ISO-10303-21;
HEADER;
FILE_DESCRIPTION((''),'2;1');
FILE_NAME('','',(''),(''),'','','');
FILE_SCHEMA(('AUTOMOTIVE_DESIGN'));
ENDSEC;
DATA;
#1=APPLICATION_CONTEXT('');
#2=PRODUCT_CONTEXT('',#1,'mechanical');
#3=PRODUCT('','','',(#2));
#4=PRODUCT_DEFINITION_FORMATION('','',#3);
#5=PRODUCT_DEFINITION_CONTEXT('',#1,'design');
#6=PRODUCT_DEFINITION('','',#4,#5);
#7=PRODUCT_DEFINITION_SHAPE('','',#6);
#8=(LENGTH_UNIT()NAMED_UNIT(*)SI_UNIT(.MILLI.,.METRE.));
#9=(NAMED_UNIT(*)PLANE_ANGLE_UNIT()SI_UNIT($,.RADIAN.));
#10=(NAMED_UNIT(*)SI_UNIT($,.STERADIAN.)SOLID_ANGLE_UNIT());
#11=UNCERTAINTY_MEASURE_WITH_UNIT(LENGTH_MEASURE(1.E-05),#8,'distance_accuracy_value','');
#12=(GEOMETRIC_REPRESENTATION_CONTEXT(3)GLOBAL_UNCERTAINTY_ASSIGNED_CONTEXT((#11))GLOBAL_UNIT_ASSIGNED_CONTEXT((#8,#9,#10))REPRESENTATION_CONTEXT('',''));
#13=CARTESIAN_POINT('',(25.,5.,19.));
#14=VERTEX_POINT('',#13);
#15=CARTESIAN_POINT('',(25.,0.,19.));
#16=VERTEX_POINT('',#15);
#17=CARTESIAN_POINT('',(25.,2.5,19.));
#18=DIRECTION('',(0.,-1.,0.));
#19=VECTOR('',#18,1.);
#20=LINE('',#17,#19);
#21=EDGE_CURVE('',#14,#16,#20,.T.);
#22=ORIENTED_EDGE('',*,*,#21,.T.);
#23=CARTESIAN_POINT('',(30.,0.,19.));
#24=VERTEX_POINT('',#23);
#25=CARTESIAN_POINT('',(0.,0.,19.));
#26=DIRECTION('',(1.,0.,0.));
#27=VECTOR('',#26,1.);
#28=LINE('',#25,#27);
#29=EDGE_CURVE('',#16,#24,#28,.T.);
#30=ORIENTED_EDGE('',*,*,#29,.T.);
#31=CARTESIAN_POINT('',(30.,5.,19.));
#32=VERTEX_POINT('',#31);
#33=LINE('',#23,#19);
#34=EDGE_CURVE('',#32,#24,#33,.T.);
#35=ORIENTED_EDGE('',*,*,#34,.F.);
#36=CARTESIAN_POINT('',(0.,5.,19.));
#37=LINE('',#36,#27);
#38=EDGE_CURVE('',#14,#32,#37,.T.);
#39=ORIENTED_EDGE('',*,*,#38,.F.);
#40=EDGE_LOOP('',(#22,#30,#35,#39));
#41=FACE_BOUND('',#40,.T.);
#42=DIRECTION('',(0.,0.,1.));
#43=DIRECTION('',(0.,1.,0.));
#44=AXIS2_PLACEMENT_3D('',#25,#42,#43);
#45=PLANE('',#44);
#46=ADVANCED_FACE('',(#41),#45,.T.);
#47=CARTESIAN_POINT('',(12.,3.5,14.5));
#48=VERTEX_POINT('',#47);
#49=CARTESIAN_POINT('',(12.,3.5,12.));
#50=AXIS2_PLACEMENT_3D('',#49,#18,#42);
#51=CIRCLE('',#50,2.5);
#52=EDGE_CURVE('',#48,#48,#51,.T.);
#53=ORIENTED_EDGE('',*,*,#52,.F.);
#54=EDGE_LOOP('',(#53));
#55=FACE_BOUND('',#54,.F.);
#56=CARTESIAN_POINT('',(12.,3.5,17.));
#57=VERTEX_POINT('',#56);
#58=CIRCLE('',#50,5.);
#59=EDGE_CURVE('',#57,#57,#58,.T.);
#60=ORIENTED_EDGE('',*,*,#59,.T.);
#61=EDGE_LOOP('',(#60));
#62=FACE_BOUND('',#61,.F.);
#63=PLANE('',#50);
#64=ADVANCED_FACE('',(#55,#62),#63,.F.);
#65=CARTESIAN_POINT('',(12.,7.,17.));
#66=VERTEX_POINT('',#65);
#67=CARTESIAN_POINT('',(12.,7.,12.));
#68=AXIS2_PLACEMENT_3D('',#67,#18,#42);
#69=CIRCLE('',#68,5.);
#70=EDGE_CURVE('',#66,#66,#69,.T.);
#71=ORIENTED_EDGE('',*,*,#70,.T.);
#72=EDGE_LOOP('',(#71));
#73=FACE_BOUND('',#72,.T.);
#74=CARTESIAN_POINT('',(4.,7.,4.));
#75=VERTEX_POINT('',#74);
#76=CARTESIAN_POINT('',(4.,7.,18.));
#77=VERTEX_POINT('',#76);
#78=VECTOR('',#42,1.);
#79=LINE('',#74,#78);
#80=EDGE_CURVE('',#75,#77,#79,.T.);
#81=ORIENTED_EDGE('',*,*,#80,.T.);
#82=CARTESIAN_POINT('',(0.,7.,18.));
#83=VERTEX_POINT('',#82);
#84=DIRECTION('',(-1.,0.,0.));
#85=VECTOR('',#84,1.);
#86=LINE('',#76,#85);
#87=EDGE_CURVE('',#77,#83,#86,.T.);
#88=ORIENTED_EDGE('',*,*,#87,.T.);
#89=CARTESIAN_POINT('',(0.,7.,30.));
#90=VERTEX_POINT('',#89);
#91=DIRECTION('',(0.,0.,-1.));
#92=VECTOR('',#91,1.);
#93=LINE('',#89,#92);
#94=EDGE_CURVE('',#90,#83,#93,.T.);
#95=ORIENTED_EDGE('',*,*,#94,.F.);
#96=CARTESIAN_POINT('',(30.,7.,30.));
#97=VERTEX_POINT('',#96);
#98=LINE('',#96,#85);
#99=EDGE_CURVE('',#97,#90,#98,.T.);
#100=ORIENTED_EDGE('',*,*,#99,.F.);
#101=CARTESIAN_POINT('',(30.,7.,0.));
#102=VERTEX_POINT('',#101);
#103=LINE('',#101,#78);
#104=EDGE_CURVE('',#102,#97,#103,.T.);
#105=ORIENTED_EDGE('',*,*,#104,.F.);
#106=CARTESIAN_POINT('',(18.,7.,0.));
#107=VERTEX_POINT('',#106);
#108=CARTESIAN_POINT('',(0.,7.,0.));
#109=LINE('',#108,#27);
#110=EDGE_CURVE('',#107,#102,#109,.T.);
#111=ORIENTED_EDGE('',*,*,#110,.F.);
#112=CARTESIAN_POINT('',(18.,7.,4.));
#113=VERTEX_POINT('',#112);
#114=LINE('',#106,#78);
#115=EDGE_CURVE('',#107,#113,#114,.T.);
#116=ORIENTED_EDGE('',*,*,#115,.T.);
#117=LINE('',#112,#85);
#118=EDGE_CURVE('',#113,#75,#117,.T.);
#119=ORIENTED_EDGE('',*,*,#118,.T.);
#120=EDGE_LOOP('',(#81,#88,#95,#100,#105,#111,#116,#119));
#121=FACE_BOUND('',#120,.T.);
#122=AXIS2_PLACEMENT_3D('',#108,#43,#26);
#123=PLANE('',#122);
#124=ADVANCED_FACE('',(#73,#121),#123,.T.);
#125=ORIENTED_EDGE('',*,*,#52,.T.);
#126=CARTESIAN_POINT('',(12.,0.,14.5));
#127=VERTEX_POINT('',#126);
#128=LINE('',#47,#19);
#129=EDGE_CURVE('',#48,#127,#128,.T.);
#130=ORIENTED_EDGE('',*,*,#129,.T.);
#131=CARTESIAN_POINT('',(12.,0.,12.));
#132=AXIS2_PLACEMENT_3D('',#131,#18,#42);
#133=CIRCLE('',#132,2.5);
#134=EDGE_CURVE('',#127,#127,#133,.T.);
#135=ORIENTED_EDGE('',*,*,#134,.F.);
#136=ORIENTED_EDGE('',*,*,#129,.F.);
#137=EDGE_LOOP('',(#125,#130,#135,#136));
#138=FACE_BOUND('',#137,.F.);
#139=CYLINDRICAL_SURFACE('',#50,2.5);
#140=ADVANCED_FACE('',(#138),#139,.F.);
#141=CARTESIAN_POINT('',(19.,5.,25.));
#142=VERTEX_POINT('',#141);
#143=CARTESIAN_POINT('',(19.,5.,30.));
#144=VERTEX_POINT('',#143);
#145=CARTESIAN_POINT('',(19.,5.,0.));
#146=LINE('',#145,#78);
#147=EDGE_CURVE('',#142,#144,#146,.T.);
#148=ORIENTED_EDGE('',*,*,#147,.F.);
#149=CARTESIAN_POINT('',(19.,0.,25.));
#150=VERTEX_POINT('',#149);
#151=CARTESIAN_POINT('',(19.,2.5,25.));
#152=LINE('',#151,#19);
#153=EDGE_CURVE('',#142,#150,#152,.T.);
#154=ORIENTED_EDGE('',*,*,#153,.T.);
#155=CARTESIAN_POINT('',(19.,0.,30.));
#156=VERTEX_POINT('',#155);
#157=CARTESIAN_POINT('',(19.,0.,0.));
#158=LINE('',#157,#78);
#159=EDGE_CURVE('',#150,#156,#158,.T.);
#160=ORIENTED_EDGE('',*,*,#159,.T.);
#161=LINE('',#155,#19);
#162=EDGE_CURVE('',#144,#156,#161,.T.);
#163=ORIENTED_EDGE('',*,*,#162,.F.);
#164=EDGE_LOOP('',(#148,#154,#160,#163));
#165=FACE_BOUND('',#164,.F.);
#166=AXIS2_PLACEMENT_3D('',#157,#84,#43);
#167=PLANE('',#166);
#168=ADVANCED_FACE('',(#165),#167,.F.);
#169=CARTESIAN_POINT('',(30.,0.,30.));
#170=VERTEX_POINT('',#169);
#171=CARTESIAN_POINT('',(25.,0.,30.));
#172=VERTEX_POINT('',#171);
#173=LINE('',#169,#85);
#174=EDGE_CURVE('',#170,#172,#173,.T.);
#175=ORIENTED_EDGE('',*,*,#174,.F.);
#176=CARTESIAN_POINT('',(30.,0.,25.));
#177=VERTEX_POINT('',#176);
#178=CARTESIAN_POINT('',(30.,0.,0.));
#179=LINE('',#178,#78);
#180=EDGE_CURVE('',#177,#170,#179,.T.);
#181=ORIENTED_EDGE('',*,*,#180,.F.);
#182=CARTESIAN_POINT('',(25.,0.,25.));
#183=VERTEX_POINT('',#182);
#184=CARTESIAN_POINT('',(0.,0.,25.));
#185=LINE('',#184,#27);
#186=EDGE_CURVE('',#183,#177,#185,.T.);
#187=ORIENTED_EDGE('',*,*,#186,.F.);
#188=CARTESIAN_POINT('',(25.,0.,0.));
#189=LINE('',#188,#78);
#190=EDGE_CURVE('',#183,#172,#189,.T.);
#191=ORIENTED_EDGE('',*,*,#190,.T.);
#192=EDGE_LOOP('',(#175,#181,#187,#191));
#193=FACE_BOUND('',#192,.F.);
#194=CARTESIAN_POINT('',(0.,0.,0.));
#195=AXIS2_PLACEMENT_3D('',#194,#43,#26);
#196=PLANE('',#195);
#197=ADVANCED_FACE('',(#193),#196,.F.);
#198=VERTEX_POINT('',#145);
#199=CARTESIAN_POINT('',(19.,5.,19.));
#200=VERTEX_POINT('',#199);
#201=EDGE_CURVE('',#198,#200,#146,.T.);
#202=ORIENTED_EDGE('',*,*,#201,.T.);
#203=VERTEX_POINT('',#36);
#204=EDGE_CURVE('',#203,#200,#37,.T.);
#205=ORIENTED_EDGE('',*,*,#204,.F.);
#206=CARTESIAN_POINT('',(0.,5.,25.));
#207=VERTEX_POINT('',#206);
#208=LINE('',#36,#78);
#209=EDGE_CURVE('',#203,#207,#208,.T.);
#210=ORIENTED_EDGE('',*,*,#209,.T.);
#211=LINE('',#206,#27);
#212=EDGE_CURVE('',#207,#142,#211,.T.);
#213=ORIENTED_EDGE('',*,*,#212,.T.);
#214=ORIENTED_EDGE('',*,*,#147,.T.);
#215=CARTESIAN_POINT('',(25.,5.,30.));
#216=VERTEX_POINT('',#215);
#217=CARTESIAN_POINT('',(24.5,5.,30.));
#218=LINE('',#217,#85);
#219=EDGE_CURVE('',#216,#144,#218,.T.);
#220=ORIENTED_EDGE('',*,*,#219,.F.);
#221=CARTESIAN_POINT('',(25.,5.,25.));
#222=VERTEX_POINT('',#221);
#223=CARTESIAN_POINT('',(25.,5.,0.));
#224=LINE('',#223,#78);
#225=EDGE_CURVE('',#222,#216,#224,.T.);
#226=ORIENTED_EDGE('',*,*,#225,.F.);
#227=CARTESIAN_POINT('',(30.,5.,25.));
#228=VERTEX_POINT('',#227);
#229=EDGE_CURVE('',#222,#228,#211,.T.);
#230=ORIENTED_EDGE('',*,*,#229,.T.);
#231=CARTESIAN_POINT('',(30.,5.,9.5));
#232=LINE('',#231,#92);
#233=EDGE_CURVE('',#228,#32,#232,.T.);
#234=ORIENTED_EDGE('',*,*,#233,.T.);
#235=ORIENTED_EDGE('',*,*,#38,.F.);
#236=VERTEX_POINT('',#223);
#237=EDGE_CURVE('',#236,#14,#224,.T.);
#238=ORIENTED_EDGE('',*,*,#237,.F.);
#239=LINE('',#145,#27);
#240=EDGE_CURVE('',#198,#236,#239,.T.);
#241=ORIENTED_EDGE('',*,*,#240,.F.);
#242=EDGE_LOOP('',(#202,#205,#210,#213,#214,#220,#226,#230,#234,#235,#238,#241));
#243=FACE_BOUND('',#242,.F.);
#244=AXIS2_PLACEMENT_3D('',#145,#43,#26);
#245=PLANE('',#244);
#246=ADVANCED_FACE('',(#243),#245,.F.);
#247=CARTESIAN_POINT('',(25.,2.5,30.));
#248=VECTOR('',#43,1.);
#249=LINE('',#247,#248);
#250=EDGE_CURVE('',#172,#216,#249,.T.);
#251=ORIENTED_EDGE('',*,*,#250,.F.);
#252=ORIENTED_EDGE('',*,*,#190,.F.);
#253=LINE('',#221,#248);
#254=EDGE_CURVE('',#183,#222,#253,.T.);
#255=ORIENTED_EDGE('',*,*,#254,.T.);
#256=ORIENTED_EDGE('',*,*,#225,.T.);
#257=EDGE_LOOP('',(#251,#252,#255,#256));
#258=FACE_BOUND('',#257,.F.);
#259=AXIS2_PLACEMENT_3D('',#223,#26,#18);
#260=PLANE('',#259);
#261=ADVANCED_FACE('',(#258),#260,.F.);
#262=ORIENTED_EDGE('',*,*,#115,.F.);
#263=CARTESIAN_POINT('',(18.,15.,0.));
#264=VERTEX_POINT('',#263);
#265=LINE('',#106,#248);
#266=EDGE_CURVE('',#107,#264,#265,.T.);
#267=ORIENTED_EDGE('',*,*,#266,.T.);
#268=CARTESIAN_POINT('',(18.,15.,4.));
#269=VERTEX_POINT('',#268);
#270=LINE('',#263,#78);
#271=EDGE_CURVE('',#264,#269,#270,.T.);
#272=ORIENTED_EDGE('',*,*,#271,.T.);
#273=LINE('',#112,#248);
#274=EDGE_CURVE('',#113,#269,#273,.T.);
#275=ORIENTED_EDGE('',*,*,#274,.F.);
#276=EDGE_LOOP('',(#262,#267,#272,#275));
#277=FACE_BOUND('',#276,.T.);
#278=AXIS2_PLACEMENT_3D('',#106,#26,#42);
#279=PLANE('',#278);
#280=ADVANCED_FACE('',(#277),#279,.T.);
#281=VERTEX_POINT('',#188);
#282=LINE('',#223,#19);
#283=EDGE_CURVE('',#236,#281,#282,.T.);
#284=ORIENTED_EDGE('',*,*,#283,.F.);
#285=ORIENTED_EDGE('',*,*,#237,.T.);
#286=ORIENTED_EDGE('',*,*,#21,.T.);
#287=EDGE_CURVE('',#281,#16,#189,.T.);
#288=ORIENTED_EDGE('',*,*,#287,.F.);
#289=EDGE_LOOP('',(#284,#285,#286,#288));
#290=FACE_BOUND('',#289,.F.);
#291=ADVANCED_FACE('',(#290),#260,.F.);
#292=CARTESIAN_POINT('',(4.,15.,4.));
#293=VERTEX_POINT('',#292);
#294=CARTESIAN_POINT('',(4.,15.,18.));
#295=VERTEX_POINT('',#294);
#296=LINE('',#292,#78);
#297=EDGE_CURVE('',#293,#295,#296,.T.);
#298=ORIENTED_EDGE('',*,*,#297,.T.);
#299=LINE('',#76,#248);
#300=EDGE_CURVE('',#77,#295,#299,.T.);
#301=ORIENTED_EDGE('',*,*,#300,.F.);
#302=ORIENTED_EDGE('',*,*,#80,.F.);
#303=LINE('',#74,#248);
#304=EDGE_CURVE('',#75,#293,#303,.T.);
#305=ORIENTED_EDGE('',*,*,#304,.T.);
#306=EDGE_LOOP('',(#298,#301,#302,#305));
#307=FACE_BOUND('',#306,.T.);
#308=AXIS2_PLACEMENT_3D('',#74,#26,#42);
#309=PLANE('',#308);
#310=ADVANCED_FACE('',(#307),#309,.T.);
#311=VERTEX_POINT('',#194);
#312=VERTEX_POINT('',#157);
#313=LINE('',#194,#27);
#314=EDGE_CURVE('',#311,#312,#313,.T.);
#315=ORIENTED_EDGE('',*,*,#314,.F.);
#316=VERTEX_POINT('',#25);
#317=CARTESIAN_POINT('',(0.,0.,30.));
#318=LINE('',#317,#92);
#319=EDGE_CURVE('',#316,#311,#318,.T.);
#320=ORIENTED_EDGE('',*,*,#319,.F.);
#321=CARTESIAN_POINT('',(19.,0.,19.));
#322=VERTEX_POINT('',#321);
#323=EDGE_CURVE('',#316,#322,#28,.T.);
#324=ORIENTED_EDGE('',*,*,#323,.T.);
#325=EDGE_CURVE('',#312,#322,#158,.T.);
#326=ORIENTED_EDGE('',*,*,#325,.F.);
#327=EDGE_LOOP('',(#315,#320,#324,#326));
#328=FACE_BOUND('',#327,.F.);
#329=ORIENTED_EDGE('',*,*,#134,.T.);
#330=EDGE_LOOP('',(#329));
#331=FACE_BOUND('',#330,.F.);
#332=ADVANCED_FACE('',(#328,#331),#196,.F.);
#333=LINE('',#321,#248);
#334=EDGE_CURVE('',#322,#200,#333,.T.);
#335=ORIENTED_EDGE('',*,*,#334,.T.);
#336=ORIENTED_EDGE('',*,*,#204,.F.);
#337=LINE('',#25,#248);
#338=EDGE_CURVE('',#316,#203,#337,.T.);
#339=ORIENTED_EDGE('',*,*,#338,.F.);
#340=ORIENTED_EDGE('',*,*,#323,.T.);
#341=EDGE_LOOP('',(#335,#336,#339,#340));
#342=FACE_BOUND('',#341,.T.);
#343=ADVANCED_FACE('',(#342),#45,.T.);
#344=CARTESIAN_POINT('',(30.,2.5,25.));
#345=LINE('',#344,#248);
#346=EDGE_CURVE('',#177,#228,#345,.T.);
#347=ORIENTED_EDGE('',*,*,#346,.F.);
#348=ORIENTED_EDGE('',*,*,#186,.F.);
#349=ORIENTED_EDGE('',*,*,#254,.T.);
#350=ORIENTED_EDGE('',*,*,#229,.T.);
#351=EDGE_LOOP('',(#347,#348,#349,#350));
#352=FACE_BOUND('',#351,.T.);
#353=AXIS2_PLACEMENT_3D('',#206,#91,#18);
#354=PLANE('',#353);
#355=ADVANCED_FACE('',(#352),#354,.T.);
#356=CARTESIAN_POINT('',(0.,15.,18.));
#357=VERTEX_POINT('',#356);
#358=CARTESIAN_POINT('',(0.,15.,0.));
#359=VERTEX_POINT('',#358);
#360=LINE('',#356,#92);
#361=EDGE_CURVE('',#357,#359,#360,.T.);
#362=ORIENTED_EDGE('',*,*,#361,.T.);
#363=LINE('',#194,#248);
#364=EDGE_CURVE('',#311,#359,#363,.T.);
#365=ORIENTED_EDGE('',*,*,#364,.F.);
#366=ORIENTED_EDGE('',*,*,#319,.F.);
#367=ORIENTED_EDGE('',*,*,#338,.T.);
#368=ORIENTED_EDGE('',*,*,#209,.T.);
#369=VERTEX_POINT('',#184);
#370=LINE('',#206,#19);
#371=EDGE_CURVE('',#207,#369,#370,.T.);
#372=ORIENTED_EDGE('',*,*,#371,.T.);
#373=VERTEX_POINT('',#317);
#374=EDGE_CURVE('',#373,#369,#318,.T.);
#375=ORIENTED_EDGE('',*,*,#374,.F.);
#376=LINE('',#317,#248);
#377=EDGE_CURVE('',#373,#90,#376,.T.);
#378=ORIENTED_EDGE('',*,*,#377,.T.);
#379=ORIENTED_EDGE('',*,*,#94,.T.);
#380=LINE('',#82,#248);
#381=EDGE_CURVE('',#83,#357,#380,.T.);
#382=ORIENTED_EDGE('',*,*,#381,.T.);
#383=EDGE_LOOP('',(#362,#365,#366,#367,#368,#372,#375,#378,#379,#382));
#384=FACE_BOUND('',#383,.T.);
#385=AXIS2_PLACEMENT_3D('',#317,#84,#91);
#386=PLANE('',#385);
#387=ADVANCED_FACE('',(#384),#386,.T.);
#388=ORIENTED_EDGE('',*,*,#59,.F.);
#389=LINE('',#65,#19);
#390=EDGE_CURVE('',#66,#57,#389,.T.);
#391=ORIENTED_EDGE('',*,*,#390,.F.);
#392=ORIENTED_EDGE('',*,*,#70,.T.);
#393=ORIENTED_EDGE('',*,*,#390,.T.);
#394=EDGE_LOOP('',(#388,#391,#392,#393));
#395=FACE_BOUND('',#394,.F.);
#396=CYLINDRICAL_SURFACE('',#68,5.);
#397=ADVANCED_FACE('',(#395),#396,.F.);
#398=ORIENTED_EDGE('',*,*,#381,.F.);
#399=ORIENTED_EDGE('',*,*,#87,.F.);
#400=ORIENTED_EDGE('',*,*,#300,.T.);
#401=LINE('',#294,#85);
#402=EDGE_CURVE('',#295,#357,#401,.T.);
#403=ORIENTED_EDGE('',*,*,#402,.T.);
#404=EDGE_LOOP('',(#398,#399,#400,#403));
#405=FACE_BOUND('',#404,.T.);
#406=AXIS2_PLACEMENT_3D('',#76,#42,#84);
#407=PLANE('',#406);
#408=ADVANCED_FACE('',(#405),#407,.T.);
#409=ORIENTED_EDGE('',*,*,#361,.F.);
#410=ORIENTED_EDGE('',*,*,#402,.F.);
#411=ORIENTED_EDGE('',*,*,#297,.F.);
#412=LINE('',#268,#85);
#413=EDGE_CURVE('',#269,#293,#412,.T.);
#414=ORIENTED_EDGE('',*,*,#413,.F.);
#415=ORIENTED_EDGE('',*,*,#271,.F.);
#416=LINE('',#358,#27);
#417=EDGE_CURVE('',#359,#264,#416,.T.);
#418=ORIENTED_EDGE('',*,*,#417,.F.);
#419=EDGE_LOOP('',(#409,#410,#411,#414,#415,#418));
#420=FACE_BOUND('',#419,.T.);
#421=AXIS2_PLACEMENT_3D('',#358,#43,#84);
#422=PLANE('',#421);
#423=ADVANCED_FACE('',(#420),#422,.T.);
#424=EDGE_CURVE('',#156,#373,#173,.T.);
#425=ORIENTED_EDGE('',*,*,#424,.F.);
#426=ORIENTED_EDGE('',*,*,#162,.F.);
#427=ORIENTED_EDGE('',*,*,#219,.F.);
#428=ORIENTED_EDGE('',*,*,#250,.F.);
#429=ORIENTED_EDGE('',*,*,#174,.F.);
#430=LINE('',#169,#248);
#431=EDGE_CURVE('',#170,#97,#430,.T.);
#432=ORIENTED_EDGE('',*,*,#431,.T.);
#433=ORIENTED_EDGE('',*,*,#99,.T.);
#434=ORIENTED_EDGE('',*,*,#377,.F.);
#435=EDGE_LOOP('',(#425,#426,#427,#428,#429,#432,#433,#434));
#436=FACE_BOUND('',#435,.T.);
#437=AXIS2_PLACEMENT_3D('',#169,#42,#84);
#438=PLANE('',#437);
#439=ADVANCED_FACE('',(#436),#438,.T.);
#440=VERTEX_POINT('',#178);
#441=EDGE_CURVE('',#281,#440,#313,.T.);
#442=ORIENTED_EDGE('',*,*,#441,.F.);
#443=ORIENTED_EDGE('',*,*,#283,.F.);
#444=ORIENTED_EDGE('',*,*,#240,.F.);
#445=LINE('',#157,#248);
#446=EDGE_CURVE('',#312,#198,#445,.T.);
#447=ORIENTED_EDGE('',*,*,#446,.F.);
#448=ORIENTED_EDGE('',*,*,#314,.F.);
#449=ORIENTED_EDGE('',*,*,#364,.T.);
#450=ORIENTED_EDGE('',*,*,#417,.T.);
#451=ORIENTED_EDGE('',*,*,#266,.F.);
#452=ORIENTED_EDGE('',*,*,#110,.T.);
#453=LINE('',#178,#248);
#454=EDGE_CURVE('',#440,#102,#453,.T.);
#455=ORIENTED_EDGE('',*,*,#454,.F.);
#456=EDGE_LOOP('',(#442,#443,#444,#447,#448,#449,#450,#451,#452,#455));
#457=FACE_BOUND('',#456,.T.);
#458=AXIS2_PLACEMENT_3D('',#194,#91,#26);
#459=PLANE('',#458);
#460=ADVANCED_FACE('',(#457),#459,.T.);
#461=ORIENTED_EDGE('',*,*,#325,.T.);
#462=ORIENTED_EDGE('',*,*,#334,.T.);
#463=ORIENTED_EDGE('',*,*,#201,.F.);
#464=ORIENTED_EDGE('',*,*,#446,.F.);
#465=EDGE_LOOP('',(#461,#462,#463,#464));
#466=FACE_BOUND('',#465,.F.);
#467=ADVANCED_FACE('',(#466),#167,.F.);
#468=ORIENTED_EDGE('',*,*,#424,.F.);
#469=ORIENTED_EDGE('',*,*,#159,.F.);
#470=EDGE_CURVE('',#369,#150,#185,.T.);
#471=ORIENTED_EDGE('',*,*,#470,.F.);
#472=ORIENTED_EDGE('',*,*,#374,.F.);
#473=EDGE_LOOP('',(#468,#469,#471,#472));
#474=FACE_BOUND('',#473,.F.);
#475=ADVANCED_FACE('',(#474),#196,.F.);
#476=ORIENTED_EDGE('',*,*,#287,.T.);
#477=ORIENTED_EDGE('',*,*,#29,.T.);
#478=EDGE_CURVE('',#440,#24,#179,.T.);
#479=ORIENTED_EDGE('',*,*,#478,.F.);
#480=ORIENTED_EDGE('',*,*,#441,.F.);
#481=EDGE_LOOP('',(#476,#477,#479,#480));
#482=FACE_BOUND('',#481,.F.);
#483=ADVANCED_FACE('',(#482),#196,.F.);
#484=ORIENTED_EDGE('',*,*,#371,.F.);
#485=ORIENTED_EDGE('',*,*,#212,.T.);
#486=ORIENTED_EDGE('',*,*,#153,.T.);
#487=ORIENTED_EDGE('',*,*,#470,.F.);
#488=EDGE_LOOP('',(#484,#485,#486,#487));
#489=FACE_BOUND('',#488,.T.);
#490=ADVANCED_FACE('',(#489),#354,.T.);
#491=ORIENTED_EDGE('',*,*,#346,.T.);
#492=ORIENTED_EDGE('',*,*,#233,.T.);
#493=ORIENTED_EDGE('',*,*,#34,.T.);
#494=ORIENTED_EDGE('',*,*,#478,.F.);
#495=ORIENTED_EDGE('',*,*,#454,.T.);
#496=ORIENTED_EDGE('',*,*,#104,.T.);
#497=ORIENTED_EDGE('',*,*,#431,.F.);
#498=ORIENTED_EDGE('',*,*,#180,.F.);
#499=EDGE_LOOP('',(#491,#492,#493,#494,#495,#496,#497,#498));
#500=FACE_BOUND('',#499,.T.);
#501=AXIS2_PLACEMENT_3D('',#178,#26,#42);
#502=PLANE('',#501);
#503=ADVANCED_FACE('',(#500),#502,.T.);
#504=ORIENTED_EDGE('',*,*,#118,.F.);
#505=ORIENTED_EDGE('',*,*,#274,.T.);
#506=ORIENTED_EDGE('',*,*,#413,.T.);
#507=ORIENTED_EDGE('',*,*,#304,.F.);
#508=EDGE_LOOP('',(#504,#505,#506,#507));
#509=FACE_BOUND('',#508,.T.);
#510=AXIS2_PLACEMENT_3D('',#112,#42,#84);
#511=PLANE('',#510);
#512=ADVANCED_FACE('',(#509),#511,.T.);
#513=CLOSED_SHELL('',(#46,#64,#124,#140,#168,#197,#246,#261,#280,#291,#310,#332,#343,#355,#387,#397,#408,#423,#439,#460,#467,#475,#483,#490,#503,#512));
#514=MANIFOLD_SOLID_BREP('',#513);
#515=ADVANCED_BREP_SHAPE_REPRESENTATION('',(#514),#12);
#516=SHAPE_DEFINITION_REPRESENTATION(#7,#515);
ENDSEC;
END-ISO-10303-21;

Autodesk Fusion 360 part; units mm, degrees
sketch "Sketch1" plane through (0, 0, 0) normal (0, 1, 0) x (1, 0, 0)
  line L0 (0, 0) -> (30, 0)
  line L1 (30, 0) -> (30, -30)
  line L2 (30, -30) -> (0, -30)
  line L3 (0, -30) -> (0, 0)
  dimension "d1" = 30
  dimension "d2" = 30
extrude "Extrude1" add sketch "Sketch1" along normal blind 7
sketch "Sketch2" plane through (0, 7, 0) normal (0, 1, 0) x (-1, 0, 0)
  line L0 (0, 30) -> (-30, 30)
  line L1 (-30, 30) -> (-30, 0)
  line L2 (-18, 0) -> (-18, 4)
  line L3 (-18, 4) -> (-4, 4)
  line L4 (-4, 4) -> (-4, 18)
  line L5 (-4, 18) -> (0, 18)
  line L6 (0, 18) -> (0, 0)
  line L7 (0, 0) -> (-18, 0)
  dimension "d9" = 18
  dimension "d10" = 18
  dimension "d11" = 4
  dimension "d12" = 4
extrude "Extrude2" add sketch "Sketch2" along normal blind 8
sketch "Sketch3" plane through (0, 0, 0) normal (0, 0, -1) x (-1, 0, 0)
  line L0 (-30, 0) -> (0, 0)
  line L1 (0, 0) -> (0, 15)
  line L2 (0, 15) -> (-18, 15)
  line L3 (-18, 15) -> (-18, 7)
  line L4 (-18, 7) -> (-30, 7)
  line L5 (-30, 7) -> (-30, 0)
  line L6 (-25, 0) -> (-19, 0)
  line L7 (-19, 0) -> (-19, 5)
  line L8 (-19, 5) -> (-25, 5)
  line L9 (-25, 5) -> (-25, 0)
  dimension "d13" = 6
  dimension "d14" = 5
  dimension "d15" = 5
extrude "Extrude3" cut sketch "Sketch3" against normal through all contours L0 L6 L7 L8 L9
sketch "Sketch4" plane through (0, 7, 0) normal (0, 1, 0) x (-1, 0, 0)
  line L0 (-4, 18) -> (0, 18)
  line L1 (0, 18) -> (0, 30)
  line L2 (0, 30) -> (-30, 30)
  line L3 (-30, 30) -> (-30, 0)
  line L4 (-30, 0) -> (-18, 0)
  line L5 (-18, 0) -> (-18, 4)
  line L6 (-18, 4) -> (-4, 4)
  line L7 (-4, 4) -> (-4, 18)
  line L8 (-19, 0) -> (-19, 30)
  point P0 (-12, 12)
  dimension "d18" = 8
  dimension "d28" = 8
hole "Hole1" at (12, 7, 12) direction (0, -1, 0) diameter 5 end through all counterbore diameter 10 counterbore depth 3.5
sketch "Sketch5" plane through (0, 0, 0) normal (-1, 0, 0) x (0, 0, 1)
  line L0 (0, 0) -> (30, 0)
  line L1 (30, 0) -> (30, 7)
  line L2 (30, 7) -> (18, 7)
  line L3 (18, 7) -> (18, 15)
  line L4 (18, 15) -> (0, 15)
  line L5 (0, 15) -> (0, 0)
  line L6 (25, 0) -> (19, 0)
  line L7 (19, 0) -> (19, 5)
  line L8 (19, 5) -> (25, 5)
  line L9 (25, 5) -> (25, 0)
  dimension "d24" = 6
  dimension "d25" = 5
  dimension "d26" = 5
extrude "Extrude4" cut sketch "Sketch5" against normal through all contours L0 L6 L7 L8 L9
equation "d9 = d10"
